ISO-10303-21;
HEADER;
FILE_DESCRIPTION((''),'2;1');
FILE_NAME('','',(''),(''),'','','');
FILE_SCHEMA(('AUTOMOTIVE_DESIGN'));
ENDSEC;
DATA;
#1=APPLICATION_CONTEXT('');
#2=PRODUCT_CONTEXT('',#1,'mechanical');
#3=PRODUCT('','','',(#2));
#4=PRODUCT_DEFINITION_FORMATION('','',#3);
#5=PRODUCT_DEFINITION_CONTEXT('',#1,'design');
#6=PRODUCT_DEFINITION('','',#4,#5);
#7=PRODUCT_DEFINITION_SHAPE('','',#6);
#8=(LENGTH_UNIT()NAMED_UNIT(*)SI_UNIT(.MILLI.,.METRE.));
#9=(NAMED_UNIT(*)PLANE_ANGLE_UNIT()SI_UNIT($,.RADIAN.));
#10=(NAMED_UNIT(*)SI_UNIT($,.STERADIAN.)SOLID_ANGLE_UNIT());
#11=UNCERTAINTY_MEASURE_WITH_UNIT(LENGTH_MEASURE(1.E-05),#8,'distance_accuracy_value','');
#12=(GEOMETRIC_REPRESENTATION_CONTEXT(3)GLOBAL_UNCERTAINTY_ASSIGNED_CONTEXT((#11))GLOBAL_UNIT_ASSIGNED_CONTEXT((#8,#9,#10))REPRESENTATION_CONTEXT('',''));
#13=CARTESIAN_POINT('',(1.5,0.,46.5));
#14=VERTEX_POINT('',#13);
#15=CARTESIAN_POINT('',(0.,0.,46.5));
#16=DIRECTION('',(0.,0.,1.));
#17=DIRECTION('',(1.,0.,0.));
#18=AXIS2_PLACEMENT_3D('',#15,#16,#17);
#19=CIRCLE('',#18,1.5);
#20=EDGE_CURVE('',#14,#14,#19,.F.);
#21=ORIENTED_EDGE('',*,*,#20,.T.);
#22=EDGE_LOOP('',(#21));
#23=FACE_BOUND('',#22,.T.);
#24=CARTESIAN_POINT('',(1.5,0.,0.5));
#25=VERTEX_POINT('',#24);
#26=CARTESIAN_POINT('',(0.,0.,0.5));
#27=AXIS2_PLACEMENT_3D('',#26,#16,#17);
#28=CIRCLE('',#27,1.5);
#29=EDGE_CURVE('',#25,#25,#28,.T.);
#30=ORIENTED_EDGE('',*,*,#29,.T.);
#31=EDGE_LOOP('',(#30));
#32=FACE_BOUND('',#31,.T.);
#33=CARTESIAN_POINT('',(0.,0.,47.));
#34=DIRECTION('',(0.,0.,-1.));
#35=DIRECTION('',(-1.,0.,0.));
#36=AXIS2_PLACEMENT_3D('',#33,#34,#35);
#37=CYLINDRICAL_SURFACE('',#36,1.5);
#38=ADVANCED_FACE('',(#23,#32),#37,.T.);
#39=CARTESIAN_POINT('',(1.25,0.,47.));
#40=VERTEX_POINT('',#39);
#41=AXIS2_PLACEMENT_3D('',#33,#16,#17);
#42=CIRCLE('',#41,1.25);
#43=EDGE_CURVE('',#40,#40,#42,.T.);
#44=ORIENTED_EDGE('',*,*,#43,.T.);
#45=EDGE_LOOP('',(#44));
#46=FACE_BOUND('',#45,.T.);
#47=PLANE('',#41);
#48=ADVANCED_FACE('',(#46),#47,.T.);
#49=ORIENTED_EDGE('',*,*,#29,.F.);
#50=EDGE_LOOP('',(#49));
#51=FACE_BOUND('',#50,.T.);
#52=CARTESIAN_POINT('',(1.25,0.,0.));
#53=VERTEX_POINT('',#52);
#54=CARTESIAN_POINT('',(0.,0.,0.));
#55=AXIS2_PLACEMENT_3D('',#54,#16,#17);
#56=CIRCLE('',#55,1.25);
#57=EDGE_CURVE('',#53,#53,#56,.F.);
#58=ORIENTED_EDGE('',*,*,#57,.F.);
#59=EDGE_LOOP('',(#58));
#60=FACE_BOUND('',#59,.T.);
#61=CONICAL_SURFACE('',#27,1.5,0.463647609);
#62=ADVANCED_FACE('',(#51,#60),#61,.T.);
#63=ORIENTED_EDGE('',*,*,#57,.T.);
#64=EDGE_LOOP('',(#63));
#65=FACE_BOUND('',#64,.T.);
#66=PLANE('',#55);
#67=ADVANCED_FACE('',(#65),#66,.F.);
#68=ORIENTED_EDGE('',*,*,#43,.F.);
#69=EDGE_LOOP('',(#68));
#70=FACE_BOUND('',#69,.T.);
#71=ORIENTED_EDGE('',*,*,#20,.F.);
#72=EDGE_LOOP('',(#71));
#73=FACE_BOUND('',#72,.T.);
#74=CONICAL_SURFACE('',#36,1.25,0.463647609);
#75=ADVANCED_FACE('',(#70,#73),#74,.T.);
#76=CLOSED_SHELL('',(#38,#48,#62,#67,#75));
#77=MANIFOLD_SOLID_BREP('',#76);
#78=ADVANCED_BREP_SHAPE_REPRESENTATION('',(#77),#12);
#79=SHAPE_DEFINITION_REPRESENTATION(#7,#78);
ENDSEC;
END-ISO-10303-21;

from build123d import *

# Parameters (mm, degrees)
SKETCH2_R           = 1.5
BOSS_EXTRUDE1_DEPTH = 47
CHAMFER1_SIZE       = 0.5
CHAMFER1_SIZE2      = 0.25
CHAMFER2_SIZE       = 0.25
CHAMFER2_SIZE2      = 0.5


with BuildPart() as part:
    # Sketch2 → Boss-Extrude1 (new body)
    with BuildSketch(Plane.XY):
        Circle(SKETCH2_R)
    extrude(amount=BOSS_EXTRUDE1_DEPTH)

    # Chamfer1
    chamfer1_edges = [part.edges().sort_by_distance(p)[0] for p in [
        (-1.5, 0, 47),
    ]]
    chamfer1_side = [part.faces().sort_by_distance(p)[0] for p in [
        (-1.5, 0, 23.5),
    ]]
    chamfer(chamfer1_edges, length=CHAMFER1_SIZE, length2=CHAMFER1_SIZE2, reference=chamfer1_side[0])

    # Chamfer2
    chamfer2_edges = [part.edges().sort_by_distance(p)[0] for p in [
        (-1.5, 0, 0),
    ]]
    chamfer2_side = [part.faces().sort_by_distance(p)[0] for p in [
        (0, 0, 0),
    ]]
    chamfer(chamfer2_edges, length=CHAMFER2_SIZE, length2=CHAMFER2_SIZE2, reference=chamfer2_side[0])


solid = part.part
